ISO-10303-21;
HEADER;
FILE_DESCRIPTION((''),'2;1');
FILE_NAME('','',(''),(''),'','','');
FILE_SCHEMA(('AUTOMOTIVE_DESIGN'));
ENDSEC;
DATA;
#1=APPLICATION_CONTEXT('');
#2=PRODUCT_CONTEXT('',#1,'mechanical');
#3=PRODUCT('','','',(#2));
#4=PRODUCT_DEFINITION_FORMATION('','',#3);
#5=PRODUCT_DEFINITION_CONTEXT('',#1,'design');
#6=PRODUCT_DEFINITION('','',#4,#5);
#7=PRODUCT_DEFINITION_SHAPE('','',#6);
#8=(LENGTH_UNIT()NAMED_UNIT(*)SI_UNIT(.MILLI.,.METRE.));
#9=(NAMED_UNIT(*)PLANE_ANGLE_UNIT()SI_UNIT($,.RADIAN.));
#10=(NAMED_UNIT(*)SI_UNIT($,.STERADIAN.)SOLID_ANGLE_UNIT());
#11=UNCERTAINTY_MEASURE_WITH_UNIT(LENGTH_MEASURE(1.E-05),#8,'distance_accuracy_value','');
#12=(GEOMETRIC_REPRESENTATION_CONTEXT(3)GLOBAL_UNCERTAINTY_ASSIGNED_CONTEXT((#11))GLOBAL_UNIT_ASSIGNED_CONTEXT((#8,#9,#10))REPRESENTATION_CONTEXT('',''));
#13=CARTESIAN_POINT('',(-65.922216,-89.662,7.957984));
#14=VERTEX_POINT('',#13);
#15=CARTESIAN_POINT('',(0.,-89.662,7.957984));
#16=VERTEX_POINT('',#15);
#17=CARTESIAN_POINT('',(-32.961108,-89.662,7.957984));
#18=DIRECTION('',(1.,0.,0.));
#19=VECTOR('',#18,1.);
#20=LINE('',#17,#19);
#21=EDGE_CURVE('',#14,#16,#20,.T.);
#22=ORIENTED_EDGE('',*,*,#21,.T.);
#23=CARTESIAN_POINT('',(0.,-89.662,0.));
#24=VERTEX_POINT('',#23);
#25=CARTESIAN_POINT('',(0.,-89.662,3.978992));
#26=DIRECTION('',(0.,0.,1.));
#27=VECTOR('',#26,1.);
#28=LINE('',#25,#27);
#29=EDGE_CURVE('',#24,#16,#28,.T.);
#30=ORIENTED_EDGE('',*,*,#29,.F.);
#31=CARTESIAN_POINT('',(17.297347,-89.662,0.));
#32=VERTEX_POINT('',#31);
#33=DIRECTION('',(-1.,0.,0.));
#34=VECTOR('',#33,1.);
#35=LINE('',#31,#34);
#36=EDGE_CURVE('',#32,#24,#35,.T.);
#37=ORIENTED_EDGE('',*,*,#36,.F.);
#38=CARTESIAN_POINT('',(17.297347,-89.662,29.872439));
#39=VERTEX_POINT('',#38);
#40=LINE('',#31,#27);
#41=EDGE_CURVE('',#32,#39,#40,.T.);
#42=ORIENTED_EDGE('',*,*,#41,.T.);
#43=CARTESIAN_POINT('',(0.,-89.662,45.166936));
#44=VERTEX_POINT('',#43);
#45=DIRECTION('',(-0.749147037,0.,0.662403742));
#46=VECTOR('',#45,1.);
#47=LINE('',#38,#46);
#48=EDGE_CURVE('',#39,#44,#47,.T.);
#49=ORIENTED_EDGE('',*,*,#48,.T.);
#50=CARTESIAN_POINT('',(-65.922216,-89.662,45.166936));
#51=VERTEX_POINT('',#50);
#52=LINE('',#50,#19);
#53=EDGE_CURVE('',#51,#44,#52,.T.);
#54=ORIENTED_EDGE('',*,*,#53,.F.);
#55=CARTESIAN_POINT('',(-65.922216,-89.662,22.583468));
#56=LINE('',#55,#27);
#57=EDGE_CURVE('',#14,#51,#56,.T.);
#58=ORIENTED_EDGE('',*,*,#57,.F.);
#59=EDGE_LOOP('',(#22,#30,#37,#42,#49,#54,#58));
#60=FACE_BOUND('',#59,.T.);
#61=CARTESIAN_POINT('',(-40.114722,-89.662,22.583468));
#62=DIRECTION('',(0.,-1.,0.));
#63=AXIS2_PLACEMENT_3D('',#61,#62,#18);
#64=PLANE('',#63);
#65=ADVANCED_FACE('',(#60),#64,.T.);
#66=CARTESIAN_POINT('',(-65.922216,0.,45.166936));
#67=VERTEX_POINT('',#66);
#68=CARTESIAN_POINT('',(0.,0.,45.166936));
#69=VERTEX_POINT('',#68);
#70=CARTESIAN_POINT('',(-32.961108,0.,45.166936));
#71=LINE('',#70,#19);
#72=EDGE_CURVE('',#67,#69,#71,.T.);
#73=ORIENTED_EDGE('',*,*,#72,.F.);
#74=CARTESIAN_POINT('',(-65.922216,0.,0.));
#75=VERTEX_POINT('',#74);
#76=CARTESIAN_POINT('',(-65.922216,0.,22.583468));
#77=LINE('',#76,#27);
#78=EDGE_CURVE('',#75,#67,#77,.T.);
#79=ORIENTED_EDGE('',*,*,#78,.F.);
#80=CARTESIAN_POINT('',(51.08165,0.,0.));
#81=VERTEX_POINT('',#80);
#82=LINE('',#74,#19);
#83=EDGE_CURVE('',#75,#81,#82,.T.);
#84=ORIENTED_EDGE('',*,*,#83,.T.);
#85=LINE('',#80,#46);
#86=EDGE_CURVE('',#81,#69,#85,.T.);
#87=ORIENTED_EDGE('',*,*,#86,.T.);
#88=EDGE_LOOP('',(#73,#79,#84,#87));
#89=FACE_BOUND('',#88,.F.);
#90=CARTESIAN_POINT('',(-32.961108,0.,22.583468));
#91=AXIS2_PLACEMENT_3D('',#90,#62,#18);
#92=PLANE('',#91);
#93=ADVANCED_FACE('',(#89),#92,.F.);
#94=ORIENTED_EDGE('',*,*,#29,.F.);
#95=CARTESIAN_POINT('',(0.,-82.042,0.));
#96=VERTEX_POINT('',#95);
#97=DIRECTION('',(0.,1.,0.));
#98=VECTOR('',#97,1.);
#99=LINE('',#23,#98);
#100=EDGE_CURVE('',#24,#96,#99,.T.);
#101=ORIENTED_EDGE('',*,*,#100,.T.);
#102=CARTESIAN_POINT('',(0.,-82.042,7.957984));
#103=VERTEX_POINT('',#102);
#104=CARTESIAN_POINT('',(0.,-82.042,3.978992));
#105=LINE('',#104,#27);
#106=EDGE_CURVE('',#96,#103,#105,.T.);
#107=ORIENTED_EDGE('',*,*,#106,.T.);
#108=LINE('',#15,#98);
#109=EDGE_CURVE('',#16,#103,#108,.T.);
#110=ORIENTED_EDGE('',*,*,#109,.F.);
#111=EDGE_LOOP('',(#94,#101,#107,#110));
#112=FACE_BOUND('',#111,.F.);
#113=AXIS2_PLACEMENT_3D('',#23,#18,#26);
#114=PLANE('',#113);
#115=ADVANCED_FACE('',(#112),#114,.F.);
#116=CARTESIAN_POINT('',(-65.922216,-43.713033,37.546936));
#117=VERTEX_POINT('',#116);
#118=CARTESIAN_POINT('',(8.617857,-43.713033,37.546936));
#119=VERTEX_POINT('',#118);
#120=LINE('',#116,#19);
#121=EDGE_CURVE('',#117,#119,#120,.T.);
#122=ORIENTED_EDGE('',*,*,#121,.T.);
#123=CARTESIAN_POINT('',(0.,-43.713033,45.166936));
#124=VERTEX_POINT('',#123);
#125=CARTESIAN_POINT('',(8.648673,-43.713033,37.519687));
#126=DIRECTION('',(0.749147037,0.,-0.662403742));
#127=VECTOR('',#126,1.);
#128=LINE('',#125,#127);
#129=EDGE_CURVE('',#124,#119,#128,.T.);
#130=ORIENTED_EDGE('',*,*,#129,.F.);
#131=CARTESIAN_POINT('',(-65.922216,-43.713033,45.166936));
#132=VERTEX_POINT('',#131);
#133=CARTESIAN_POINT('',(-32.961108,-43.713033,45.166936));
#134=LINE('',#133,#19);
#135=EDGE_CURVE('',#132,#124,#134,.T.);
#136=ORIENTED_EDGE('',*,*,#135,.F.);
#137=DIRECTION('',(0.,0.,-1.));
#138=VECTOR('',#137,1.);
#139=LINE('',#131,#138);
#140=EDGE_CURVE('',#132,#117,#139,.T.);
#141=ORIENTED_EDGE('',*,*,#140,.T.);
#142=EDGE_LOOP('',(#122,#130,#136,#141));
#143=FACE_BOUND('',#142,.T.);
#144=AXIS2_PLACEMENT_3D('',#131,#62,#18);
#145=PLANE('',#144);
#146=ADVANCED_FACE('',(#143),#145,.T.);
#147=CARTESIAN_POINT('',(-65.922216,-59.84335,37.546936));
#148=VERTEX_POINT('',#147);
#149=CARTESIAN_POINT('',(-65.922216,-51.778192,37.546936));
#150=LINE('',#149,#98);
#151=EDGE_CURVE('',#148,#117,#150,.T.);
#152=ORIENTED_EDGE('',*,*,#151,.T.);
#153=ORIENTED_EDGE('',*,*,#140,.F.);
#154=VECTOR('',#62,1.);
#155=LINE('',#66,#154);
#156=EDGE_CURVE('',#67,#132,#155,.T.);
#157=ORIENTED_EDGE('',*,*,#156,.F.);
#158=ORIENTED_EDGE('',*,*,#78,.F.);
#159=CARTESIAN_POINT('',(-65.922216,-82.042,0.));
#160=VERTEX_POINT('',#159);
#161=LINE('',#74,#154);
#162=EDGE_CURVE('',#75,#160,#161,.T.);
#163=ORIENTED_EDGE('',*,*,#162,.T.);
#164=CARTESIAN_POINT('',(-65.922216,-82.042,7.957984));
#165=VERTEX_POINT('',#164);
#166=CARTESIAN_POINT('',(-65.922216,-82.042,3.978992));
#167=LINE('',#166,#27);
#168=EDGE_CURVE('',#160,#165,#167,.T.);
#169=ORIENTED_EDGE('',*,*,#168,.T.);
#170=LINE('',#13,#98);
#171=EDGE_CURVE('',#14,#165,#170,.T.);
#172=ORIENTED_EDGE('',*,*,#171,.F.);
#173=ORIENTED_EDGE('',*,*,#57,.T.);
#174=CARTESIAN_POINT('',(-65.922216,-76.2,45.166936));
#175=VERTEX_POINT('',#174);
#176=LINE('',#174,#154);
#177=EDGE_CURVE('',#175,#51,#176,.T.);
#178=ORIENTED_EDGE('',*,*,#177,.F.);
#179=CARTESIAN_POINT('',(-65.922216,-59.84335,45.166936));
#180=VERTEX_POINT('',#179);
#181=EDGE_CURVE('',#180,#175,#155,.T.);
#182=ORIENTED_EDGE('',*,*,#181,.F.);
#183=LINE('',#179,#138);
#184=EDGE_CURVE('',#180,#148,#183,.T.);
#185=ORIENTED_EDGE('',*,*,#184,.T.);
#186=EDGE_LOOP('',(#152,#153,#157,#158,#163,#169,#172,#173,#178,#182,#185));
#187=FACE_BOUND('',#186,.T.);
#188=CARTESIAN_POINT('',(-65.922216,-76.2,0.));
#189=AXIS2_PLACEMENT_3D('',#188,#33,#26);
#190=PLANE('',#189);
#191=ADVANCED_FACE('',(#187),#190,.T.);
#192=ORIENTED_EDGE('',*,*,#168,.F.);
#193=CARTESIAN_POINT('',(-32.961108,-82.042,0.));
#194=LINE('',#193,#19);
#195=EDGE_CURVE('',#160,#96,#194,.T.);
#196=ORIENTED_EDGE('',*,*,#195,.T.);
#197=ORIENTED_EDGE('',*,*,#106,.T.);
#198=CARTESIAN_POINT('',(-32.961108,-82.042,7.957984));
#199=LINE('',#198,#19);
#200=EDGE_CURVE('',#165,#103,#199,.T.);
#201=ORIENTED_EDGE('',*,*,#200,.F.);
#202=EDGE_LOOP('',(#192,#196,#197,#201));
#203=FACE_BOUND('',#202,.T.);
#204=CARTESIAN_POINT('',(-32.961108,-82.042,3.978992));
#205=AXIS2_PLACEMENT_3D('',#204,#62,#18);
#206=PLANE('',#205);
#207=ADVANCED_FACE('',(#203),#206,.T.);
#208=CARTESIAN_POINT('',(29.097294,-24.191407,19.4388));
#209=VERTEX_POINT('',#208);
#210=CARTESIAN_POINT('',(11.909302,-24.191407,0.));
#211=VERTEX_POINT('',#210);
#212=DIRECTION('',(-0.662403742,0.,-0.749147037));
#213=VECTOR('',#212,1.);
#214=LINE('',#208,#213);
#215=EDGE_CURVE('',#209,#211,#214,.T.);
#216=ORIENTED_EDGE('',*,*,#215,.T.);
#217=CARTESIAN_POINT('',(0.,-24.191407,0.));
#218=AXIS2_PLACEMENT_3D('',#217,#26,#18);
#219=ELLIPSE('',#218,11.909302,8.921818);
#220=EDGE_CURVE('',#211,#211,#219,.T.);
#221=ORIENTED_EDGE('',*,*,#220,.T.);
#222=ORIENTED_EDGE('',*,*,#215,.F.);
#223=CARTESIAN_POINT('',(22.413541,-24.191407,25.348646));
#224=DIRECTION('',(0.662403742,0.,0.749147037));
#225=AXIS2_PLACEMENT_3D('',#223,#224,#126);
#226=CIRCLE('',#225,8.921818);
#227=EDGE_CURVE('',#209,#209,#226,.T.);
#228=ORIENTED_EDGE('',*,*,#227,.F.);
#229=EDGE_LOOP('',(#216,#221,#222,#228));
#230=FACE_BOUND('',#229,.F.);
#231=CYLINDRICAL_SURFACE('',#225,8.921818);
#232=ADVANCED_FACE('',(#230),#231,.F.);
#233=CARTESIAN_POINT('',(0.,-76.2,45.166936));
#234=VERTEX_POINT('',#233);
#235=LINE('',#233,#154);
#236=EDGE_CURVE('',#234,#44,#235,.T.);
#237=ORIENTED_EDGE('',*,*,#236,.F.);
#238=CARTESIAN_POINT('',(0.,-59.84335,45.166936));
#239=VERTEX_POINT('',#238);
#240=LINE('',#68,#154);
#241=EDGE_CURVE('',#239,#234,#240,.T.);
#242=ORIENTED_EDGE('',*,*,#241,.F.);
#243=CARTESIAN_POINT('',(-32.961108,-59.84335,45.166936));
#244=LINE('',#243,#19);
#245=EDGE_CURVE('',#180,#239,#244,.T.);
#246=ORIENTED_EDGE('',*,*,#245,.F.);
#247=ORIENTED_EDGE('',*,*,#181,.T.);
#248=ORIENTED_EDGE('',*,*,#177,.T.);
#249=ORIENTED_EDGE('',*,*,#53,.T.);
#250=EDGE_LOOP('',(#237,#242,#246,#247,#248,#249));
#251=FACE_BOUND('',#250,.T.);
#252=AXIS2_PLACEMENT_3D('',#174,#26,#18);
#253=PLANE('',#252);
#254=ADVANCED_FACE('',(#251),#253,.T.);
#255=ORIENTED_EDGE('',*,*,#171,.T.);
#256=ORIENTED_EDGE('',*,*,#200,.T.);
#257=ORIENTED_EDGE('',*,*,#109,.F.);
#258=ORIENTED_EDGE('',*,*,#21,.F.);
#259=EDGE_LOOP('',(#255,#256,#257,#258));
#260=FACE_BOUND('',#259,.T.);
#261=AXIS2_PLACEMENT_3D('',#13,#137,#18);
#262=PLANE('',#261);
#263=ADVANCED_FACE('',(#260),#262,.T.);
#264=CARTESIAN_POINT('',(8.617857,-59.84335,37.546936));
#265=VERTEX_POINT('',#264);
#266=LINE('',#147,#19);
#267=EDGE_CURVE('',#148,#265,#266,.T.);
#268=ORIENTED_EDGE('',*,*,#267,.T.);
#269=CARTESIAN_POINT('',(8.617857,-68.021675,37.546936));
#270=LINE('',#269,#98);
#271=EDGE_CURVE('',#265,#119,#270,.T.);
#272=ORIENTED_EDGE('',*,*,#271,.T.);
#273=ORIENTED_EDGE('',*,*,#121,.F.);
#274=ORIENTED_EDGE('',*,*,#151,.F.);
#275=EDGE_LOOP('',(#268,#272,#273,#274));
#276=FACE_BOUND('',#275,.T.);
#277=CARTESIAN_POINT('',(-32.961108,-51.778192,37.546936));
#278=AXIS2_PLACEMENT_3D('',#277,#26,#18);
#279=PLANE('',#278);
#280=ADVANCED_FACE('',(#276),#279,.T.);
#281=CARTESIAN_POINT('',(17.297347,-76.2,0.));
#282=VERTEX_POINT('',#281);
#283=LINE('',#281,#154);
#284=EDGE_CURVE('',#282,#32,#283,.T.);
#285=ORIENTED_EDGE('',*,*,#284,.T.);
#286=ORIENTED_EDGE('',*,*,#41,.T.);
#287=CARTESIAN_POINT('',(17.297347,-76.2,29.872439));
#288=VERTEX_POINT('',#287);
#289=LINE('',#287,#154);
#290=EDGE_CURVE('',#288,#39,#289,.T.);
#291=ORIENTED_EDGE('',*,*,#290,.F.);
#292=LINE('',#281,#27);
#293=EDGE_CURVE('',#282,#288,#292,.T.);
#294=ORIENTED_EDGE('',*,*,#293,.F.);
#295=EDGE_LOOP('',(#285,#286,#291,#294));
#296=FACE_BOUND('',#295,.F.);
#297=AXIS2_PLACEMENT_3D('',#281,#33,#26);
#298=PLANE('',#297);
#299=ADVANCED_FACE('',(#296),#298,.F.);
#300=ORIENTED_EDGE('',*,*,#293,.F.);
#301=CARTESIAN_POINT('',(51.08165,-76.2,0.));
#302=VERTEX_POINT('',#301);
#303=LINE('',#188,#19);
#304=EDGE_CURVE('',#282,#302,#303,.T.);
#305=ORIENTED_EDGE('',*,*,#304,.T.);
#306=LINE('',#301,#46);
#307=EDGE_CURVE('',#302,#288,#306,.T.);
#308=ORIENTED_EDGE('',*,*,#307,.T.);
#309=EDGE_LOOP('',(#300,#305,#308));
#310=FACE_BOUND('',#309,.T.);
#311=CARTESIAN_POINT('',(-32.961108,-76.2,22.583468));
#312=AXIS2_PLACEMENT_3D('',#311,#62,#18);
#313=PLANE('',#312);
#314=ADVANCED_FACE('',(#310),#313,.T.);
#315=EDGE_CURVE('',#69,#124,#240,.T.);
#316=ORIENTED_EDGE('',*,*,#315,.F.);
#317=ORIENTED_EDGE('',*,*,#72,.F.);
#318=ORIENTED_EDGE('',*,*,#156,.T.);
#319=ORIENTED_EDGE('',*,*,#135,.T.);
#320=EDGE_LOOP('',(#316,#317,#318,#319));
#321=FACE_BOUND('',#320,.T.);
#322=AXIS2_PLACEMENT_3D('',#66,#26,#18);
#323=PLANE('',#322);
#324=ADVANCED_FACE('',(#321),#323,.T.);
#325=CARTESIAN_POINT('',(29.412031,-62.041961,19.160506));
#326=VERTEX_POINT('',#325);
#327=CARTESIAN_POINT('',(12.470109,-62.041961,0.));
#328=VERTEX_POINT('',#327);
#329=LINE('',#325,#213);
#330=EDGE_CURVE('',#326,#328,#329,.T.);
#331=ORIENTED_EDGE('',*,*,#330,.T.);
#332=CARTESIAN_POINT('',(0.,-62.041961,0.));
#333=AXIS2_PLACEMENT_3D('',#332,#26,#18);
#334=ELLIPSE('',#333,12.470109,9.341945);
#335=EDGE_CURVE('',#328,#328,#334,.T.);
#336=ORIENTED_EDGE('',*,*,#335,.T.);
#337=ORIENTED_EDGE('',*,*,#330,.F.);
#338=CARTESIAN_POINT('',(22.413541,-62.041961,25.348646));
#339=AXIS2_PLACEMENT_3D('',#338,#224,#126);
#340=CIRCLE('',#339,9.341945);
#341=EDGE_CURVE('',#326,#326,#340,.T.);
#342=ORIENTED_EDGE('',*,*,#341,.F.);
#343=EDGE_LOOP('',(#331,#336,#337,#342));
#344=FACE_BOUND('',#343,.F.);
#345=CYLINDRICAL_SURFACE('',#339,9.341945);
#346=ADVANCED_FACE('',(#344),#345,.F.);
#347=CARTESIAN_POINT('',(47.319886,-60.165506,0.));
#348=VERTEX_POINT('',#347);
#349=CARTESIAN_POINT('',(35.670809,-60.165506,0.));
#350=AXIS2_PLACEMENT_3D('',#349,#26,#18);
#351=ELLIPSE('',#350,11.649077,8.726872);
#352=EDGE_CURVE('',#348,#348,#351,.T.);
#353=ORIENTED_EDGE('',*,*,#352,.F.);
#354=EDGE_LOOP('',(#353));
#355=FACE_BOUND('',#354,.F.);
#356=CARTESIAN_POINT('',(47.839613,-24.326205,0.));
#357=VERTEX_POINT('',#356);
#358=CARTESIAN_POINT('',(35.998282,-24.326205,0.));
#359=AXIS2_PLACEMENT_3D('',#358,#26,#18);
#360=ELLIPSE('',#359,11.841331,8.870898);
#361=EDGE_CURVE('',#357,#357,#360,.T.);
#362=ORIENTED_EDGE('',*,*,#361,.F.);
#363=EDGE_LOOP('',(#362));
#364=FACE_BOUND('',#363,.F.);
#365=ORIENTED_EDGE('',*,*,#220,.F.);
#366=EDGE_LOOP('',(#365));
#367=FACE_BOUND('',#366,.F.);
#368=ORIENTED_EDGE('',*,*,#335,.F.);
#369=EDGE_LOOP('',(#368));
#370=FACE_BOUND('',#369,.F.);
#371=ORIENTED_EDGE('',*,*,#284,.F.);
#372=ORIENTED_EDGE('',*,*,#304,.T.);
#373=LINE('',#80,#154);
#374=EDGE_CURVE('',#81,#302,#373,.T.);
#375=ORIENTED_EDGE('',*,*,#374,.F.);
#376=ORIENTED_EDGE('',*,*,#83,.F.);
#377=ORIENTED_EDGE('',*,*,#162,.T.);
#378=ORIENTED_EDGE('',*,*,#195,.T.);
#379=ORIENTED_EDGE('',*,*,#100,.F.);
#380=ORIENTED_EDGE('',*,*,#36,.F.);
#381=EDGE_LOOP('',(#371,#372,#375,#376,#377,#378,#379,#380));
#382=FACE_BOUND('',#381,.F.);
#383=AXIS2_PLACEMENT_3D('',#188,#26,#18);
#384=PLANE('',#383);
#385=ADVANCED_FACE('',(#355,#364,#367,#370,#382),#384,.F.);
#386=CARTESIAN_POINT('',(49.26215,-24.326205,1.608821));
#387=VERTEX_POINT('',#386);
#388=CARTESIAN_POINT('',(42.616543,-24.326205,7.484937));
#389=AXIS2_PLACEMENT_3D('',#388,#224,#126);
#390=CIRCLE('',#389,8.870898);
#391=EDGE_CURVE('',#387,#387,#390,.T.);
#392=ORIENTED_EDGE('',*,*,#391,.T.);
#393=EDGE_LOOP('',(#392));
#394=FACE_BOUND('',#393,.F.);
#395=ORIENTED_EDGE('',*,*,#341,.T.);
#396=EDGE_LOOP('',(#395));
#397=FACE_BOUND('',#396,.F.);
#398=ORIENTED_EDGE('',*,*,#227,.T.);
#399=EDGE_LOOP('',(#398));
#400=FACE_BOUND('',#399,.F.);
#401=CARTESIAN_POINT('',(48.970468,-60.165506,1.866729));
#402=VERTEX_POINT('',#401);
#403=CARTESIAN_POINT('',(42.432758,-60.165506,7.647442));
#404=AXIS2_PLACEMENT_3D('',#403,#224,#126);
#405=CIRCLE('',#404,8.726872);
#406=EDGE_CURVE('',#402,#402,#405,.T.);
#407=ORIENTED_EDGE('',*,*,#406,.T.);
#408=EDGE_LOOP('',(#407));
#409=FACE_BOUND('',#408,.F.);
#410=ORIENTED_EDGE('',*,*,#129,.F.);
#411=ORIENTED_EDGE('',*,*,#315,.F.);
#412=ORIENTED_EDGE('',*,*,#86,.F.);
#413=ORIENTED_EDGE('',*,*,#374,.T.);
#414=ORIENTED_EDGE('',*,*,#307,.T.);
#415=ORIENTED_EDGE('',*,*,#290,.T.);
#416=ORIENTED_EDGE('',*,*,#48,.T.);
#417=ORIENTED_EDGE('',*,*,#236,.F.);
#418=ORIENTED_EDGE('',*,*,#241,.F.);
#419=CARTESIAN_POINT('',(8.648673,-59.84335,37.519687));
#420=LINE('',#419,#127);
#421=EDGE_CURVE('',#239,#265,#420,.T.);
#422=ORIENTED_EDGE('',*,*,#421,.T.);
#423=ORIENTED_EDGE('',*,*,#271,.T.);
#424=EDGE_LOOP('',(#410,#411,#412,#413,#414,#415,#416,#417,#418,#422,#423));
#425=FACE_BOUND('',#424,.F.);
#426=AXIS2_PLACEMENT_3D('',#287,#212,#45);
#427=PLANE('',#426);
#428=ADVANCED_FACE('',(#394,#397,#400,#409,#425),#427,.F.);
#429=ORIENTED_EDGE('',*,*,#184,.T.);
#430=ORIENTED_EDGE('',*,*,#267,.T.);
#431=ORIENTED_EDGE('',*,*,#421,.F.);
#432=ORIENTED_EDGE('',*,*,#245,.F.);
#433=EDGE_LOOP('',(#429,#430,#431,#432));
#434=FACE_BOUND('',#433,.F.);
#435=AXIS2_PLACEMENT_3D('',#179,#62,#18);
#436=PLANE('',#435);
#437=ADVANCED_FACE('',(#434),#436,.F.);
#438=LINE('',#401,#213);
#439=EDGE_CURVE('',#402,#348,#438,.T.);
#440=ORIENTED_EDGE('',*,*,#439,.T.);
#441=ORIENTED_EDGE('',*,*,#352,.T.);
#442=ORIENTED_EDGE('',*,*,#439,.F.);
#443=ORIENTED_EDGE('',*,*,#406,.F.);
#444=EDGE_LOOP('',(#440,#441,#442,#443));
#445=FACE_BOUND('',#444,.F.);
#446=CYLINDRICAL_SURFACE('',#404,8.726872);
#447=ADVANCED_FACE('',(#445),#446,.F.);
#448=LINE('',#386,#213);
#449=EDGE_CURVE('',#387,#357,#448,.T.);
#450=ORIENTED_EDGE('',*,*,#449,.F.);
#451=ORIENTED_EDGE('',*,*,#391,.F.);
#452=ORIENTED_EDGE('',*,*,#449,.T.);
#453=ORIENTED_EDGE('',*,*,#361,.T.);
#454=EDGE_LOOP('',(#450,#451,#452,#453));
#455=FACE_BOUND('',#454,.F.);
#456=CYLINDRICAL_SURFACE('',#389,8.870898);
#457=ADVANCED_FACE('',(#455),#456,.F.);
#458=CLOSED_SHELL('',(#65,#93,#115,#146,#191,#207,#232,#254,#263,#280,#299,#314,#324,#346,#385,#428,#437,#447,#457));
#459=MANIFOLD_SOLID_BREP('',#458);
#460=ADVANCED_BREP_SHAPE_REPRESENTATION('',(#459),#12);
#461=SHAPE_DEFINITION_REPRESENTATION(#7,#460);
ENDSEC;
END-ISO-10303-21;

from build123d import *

# Parameters (mm, degrees)
F0_W      = 65.9222155809
F0_H      = 45.1669357717
F1_DEPTH  = 76.2
F2_W      = 65.9222155809
F2_H      = 16.1303170025
F3_DEPTH  = 7.62
F5_DEPTH  = 13.462
F6_W      = 51.6149867326
F6_H      = 45.1669357717
F7_DEPTH  = 13.462
F8_W      = 65.9222155809
F8_H      = 7.957983762
F9_DEPTH  = 7.62
F10_DEPTH = 25.4
F11_R     = 9.3419450296
F11_R_2   = 8.7268718577
F11_R_3   = 8.921818007
F11_R_4   = 8.8708982801
F12_DEPTH = 88.646


with BuildPart() as f1:
    # F0 (on Front) → F1 (new body)
    with BuildSketch(Plane.XZ):
        with Locations((-32.9611077905, 22.5834678859)):
            Rectangle(F0_W, F0_H)
        Polygon((0, 45.1669357717), (0, 0), (51.0816499591, 0), align=None)
    extrude(amount=F1_DEPTH)

    # F2 (on face) → F3 (cut)
    with BuildSketch(Plane.XY.offset(45.1669357717)):
        with Locations((-32.9611077905, -51.7781917006)):
            Rectangle(F2_W, F2_H)
    extrude(amount=-F3_DEPTH, mode=Mode.SUBTRACT)

    # F4 (on face) → F5 (join)
    with BuildSketch(Plane.XZ.offset(76.2)):
        Polygon((17.2973467296, 0), (17.2973467296, 29.8724386405), (0, 45.1669357717), (-14.3072288483, 45.1669357717), (-14.3072288483, 0), align=None)
    extrude(amount=F5_DEPTH)

    # F6 (on face) → F7 (join)
    with BuildSketch(Plane.XZ.offset(76.2)):
        with Locations((-40.1147222146, 22.5834678859)):
            Rectangle(F6_W, F6_H)
    extrude(amount=F7_DEPTH)

    # F8 (on face) → F9 (cut)
    with BuildSketch(Plane.XZ.offset(89.662)):
        with Locations((-32.9611077905, 3.978991881)):
            Rectangle(F8_W, F8_H)
    extrude(amount=-F9_DEPTH, mode=Mode.SUBTRACT)

    # F10 (cut): a face of the model
    f10_faces = [f1.faces().sort_by_distance(p)[0] for p in [
        (0, -51.7781917006, 41.3569357717),
    ]]
    extrude(f10_faces, amount=-F10_DEPTH, mode=Mode.SUBTRACT)

    # F11 (on face) → F12 (cut)
    with BuildSketch(Plane(origin=(22.4135408595, 0, 25.348645618), x_dir=(0.7491470366, 0, -0.6624037421), z_dir=(0.6624037421, 0, 0.7491470366))):
        with Locations((0, -62.0419606566)):
            Circle(F11_R)
        with Locations((26.7226807773, -60.1655058563)):
            Circle(F11_R_2)
        with Locations((0, -24.1914074868)):
            Circle(F11_R_3)
        with Locations((26.9680060446, -24.3262052536)):
            Circle(F11_R_4)
    extrude(amount=-F12_DEPTH, mode=Mode.SUBTRACT)


solid = f1.part
